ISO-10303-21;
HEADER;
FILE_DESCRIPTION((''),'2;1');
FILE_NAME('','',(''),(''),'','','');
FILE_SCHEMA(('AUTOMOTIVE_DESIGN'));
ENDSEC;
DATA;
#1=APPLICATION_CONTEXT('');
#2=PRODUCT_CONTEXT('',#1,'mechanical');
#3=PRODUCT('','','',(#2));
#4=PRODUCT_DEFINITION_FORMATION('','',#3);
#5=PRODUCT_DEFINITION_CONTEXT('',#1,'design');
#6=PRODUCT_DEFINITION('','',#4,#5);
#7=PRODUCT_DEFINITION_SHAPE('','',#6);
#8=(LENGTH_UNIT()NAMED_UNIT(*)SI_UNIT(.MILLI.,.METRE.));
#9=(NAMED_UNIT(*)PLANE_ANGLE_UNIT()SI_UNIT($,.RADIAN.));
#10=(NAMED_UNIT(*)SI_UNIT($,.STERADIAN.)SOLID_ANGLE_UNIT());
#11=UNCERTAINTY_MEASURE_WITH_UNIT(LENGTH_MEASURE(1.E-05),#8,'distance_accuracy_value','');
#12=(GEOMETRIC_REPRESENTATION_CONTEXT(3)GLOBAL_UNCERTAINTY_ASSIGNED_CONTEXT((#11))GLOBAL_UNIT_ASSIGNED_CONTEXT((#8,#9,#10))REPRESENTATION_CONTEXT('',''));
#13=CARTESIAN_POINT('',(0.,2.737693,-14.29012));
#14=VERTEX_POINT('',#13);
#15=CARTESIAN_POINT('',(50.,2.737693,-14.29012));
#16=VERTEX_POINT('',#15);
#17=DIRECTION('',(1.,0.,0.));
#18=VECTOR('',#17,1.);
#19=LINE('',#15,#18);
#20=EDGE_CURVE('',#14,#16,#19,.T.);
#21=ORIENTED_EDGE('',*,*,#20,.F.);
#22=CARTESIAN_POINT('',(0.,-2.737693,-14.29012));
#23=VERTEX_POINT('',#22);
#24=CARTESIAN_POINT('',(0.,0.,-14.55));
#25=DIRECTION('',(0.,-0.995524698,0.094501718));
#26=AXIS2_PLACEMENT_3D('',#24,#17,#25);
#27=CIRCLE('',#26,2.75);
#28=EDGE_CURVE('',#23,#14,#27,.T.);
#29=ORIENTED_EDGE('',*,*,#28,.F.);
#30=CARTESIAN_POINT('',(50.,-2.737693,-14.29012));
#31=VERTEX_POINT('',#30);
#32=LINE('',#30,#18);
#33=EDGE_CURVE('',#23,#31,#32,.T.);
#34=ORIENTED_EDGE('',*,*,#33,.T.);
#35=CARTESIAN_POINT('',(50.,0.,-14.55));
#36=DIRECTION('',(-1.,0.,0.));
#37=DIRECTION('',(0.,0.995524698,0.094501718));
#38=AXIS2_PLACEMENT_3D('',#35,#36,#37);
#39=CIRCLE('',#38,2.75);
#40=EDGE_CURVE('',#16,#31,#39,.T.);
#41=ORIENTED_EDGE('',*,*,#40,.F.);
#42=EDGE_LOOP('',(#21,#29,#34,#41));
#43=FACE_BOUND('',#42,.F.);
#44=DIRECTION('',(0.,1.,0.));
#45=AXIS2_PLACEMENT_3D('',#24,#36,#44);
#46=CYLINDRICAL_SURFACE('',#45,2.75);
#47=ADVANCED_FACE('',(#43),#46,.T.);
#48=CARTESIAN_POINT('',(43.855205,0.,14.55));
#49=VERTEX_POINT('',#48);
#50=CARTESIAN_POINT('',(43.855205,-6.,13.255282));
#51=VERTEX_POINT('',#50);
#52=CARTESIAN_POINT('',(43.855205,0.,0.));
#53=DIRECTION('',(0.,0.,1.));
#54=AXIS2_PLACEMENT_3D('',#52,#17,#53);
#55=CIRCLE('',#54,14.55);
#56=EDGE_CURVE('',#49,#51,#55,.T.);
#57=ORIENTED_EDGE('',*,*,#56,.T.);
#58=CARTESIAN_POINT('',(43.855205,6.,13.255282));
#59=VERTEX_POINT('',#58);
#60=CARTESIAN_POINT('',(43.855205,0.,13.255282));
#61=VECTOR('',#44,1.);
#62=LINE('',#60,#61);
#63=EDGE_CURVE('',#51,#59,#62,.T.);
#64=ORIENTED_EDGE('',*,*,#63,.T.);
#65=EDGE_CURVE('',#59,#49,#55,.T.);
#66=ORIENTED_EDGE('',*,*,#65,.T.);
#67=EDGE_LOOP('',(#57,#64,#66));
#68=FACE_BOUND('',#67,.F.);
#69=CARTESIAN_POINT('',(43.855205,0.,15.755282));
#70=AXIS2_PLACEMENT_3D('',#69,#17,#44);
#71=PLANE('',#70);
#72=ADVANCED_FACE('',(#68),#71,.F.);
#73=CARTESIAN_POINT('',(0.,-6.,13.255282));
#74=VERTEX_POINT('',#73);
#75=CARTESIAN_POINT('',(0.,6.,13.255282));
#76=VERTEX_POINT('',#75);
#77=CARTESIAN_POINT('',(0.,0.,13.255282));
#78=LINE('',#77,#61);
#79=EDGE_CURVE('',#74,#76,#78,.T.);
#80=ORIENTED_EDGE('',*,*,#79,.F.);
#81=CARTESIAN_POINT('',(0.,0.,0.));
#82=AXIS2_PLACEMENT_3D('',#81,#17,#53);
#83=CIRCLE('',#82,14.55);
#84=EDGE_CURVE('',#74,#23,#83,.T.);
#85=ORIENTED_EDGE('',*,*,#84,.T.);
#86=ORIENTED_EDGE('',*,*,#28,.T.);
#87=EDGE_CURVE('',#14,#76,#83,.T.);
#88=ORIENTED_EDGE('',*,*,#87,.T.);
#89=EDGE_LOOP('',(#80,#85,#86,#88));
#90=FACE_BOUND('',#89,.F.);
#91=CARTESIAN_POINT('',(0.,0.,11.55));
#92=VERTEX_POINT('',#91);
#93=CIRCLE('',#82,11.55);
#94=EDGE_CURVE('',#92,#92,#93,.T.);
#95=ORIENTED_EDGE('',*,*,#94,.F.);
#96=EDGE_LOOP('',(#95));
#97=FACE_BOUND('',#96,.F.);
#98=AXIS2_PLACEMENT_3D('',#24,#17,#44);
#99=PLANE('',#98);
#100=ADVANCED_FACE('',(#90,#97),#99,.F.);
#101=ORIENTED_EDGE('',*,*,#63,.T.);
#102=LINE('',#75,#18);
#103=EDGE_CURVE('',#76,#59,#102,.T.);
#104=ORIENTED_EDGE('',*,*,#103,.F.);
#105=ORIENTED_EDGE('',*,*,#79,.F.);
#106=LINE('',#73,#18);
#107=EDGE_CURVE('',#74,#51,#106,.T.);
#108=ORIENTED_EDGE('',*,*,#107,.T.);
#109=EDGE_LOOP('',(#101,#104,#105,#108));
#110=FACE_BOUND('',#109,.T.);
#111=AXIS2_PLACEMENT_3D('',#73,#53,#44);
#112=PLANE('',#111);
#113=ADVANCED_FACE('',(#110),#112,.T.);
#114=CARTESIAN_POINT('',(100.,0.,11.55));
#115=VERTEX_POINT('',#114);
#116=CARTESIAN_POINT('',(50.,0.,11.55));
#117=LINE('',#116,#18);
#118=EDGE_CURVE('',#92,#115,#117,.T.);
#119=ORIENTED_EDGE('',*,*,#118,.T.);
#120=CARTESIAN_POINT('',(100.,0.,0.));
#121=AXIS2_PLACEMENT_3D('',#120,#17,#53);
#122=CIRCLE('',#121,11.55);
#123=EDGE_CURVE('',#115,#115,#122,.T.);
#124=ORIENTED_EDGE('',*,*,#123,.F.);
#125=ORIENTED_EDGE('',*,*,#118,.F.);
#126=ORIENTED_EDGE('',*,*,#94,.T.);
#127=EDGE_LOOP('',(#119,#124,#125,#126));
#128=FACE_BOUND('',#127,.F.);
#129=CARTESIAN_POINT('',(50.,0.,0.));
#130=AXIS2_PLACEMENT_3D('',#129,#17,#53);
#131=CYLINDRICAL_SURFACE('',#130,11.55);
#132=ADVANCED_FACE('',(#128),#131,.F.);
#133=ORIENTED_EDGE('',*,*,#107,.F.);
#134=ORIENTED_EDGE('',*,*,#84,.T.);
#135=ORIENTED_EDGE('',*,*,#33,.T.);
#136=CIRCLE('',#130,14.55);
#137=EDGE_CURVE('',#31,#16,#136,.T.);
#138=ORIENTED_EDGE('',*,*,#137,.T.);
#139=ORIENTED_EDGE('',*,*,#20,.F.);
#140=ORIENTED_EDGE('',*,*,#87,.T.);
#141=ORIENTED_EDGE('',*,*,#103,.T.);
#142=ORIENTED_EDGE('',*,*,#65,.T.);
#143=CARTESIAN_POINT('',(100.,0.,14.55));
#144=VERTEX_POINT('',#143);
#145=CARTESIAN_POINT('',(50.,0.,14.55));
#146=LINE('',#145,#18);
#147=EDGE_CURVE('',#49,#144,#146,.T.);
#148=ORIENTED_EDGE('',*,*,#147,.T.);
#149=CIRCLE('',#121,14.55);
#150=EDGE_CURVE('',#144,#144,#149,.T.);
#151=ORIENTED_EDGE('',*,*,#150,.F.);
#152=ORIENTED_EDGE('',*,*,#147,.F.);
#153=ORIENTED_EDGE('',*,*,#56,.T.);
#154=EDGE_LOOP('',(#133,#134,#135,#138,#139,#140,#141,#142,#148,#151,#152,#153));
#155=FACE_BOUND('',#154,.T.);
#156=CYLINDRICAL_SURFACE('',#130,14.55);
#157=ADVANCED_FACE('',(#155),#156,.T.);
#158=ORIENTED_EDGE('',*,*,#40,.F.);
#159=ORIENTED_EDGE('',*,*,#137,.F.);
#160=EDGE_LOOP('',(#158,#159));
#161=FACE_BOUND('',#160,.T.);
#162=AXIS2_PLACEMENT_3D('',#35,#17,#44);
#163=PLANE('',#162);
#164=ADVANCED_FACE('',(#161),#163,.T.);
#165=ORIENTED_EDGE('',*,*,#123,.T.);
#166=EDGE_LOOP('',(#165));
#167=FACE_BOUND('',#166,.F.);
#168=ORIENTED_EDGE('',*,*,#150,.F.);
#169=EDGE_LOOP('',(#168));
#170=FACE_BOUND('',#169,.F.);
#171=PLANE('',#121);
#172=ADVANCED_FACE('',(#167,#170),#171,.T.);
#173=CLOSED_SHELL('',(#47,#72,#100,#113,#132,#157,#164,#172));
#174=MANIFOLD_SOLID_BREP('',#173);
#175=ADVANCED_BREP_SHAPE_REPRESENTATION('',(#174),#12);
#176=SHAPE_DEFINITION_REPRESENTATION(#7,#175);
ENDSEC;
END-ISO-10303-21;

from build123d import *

# Parameters (mm, degrees)
F0_W     = 100
F0_H     = 3
F2_W     = 12
F2_H     = 5
F3_DEPTH = 43.855205
F4_R     = 2.75
F5_DEPTH = 50


with BuildPart() as f1:
    # F0 (on Front) → F1 (revolve)
    with BuildSketch(Plane.XZ):
        with Locations((50, 13.05)):
            Rectangle(F0_W, F0_H)
    revolve(axis=Axis((1.032291, 0, 0), (1, 0, 0)))

    # F2 (on Right) → F3 (cut)
    with BuildSketch(Plane.YZ):
        with Locations((0, 15.755282)):
            Rectangle(F2_W, F2_H)
    extrude(amount=F3_DEPTH, mode=Mode.SUBTRACT)

    # F4 (on Right) → F5 (join)
    with BuildSketch(Plane.YZ):
        with Locations((0, -14.55)):
            Circle(F4_R)
    extrude(amount=F5_DEPTH)


solid = f1.part
